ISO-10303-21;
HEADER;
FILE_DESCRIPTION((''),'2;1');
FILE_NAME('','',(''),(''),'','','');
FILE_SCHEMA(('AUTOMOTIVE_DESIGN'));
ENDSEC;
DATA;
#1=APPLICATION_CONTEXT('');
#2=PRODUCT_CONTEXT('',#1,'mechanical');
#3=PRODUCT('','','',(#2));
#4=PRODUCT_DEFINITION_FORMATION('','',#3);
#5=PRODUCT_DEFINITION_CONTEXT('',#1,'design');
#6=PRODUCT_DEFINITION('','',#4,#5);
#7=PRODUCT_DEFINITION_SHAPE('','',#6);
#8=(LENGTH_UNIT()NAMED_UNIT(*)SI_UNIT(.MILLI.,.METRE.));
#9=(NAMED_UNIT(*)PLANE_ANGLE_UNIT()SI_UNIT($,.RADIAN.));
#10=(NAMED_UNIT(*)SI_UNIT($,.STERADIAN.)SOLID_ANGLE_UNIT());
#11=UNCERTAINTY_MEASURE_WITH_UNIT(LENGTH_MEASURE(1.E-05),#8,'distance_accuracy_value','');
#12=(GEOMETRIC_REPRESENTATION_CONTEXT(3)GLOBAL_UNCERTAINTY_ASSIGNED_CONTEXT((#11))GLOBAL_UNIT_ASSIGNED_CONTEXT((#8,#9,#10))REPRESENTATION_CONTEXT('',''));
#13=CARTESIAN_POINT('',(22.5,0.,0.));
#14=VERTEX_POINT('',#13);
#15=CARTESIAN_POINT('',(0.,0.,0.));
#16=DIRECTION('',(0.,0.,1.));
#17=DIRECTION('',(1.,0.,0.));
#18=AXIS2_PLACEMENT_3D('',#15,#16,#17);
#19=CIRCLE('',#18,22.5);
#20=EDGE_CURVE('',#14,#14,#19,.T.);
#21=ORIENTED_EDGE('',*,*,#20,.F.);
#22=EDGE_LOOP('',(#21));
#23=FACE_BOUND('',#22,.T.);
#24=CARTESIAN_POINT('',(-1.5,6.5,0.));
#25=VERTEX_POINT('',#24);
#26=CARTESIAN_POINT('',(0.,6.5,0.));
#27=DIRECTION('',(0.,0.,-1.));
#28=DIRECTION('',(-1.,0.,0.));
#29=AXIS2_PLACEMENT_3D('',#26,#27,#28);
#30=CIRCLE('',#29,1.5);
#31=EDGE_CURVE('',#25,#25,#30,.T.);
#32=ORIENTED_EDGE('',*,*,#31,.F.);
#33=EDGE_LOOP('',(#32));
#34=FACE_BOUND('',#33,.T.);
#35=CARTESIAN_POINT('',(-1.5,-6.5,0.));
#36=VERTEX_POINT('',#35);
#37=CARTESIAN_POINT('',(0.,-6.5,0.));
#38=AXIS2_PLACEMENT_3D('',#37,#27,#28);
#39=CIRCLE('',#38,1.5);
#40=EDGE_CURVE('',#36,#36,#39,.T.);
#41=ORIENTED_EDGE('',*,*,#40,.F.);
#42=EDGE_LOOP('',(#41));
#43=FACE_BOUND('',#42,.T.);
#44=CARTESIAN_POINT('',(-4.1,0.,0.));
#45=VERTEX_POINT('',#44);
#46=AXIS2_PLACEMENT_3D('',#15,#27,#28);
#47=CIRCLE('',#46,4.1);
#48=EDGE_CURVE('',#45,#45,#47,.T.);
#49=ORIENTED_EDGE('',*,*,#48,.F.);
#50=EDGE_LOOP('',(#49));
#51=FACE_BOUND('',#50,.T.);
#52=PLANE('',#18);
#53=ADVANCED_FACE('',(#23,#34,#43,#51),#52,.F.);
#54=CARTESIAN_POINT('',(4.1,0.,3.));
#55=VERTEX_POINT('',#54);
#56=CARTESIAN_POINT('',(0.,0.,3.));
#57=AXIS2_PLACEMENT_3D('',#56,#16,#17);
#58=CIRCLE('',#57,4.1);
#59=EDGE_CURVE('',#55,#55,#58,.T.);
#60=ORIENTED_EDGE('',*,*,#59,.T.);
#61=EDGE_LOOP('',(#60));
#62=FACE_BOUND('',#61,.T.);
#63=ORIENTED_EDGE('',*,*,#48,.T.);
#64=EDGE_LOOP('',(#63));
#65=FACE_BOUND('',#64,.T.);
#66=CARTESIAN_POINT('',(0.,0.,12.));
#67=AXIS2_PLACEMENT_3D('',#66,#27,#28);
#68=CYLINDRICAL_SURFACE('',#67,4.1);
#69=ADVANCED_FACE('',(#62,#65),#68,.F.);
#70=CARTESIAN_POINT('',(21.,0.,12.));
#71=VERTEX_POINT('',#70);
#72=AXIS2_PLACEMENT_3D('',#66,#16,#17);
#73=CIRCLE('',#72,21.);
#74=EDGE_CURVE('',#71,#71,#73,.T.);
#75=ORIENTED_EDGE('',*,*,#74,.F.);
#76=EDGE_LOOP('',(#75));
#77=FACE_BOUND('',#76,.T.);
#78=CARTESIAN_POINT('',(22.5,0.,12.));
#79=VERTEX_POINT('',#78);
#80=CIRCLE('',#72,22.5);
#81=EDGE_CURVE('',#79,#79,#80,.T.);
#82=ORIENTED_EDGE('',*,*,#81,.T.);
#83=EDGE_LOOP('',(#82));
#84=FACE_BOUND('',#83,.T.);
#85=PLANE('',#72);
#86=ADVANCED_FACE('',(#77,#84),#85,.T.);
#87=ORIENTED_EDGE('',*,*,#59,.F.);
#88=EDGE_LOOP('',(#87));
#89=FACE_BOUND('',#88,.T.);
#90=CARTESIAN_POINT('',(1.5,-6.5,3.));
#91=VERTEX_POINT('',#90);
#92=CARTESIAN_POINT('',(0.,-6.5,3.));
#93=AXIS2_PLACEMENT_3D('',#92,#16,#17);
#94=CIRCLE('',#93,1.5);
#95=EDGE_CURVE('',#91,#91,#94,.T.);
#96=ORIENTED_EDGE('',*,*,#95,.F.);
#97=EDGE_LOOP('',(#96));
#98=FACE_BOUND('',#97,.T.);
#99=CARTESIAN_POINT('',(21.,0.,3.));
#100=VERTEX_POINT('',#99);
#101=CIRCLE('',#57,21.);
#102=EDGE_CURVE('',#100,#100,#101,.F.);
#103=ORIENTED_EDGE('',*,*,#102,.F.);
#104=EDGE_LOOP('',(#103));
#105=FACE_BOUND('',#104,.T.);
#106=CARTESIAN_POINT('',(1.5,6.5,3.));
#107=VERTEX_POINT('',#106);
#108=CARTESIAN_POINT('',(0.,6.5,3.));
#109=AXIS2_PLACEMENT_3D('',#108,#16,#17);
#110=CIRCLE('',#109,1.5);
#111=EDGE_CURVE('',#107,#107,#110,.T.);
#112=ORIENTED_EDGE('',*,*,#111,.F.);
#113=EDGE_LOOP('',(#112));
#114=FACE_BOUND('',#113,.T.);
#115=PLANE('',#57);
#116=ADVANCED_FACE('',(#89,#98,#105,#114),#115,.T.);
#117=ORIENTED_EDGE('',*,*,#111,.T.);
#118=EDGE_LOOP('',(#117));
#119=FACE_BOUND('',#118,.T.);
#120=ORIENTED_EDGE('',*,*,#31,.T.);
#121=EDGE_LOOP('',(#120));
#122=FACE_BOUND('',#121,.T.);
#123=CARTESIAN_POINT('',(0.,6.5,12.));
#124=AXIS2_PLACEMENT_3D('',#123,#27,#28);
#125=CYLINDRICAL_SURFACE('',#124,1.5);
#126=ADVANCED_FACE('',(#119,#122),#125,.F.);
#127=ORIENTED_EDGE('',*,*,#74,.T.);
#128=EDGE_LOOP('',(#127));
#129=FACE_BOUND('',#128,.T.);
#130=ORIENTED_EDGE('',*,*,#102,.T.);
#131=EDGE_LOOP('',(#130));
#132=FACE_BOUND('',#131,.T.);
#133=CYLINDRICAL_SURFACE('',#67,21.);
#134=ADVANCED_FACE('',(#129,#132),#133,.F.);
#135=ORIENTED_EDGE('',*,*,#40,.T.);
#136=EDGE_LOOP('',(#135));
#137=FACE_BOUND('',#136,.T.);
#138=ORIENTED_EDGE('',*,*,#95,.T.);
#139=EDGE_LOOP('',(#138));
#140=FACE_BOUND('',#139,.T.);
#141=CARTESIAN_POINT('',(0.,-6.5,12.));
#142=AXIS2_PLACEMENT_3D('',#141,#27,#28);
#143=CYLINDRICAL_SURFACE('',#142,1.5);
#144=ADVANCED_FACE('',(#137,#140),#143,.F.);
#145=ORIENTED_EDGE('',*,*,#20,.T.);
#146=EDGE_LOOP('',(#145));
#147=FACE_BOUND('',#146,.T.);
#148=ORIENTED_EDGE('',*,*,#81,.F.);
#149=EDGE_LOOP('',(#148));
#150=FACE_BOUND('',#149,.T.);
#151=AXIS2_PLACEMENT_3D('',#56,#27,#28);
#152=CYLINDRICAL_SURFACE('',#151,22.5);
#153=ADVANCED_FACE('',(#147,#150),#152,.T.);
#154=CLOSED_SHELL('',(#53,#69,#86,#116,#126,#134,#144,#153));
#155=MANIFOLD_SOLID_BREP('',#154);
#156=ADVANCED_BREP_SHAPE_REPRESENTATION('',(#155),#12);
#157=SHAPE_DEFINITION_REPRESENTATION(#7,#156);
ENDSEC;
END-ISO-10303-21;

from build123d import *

# Parameters (mm, degrees)
SKETCH_1_R          = 22.5
EXTRUDE_1_DEPTH     = 3
SKETCH_2_R          = 22.5
SKETCH_2_R_2        = 21
EXTRUDE_2_DEPTH     = 9
SKETCH_4_R          = 4.1
SKETCH_4_R_2        = 1.5
CUT_EXTRUDE_1_DEPTH = 35.007352146


with BuildPart() as part:
    # 草图1 → 凸台-拉伸1 (new body)
    with BuildSketch(Plane.XY):
        Circle(SKETCH_1_R)
    extrude(amount=EXTRUDE_1_DEPTH)

    # 草图2 → 凸台-拉伸2 (add)
    with BuildSketch(Plane.XY.offset(3)):
        Circle(SKETCH_2_R)
        Circle(SKETCH_2_R_2, mode=Mode.SUBTRACT)
    extrude(amount=EXTRUDE_2_DEPTH)

    # 草图4 → 切除-拉伸1 (cut, through all)
    with BuildSketch(Plane(origin=(0, 0, 0), x_dir=(-1, 0, 0), z_dir=(0, 0, -1))):
        Circle(SKETCH_4_R)
        with Locations((0, 6.5)):
            Circle(SKETCH_4_R_2)
        with Locations((0, -6.5)):
            Circle(SKETCH_4_R_2)
    extrude(amount=-CUT_EXTRUDE_1_DEPTH, mode=Mode.SUBTRACT)


solid = part.part
